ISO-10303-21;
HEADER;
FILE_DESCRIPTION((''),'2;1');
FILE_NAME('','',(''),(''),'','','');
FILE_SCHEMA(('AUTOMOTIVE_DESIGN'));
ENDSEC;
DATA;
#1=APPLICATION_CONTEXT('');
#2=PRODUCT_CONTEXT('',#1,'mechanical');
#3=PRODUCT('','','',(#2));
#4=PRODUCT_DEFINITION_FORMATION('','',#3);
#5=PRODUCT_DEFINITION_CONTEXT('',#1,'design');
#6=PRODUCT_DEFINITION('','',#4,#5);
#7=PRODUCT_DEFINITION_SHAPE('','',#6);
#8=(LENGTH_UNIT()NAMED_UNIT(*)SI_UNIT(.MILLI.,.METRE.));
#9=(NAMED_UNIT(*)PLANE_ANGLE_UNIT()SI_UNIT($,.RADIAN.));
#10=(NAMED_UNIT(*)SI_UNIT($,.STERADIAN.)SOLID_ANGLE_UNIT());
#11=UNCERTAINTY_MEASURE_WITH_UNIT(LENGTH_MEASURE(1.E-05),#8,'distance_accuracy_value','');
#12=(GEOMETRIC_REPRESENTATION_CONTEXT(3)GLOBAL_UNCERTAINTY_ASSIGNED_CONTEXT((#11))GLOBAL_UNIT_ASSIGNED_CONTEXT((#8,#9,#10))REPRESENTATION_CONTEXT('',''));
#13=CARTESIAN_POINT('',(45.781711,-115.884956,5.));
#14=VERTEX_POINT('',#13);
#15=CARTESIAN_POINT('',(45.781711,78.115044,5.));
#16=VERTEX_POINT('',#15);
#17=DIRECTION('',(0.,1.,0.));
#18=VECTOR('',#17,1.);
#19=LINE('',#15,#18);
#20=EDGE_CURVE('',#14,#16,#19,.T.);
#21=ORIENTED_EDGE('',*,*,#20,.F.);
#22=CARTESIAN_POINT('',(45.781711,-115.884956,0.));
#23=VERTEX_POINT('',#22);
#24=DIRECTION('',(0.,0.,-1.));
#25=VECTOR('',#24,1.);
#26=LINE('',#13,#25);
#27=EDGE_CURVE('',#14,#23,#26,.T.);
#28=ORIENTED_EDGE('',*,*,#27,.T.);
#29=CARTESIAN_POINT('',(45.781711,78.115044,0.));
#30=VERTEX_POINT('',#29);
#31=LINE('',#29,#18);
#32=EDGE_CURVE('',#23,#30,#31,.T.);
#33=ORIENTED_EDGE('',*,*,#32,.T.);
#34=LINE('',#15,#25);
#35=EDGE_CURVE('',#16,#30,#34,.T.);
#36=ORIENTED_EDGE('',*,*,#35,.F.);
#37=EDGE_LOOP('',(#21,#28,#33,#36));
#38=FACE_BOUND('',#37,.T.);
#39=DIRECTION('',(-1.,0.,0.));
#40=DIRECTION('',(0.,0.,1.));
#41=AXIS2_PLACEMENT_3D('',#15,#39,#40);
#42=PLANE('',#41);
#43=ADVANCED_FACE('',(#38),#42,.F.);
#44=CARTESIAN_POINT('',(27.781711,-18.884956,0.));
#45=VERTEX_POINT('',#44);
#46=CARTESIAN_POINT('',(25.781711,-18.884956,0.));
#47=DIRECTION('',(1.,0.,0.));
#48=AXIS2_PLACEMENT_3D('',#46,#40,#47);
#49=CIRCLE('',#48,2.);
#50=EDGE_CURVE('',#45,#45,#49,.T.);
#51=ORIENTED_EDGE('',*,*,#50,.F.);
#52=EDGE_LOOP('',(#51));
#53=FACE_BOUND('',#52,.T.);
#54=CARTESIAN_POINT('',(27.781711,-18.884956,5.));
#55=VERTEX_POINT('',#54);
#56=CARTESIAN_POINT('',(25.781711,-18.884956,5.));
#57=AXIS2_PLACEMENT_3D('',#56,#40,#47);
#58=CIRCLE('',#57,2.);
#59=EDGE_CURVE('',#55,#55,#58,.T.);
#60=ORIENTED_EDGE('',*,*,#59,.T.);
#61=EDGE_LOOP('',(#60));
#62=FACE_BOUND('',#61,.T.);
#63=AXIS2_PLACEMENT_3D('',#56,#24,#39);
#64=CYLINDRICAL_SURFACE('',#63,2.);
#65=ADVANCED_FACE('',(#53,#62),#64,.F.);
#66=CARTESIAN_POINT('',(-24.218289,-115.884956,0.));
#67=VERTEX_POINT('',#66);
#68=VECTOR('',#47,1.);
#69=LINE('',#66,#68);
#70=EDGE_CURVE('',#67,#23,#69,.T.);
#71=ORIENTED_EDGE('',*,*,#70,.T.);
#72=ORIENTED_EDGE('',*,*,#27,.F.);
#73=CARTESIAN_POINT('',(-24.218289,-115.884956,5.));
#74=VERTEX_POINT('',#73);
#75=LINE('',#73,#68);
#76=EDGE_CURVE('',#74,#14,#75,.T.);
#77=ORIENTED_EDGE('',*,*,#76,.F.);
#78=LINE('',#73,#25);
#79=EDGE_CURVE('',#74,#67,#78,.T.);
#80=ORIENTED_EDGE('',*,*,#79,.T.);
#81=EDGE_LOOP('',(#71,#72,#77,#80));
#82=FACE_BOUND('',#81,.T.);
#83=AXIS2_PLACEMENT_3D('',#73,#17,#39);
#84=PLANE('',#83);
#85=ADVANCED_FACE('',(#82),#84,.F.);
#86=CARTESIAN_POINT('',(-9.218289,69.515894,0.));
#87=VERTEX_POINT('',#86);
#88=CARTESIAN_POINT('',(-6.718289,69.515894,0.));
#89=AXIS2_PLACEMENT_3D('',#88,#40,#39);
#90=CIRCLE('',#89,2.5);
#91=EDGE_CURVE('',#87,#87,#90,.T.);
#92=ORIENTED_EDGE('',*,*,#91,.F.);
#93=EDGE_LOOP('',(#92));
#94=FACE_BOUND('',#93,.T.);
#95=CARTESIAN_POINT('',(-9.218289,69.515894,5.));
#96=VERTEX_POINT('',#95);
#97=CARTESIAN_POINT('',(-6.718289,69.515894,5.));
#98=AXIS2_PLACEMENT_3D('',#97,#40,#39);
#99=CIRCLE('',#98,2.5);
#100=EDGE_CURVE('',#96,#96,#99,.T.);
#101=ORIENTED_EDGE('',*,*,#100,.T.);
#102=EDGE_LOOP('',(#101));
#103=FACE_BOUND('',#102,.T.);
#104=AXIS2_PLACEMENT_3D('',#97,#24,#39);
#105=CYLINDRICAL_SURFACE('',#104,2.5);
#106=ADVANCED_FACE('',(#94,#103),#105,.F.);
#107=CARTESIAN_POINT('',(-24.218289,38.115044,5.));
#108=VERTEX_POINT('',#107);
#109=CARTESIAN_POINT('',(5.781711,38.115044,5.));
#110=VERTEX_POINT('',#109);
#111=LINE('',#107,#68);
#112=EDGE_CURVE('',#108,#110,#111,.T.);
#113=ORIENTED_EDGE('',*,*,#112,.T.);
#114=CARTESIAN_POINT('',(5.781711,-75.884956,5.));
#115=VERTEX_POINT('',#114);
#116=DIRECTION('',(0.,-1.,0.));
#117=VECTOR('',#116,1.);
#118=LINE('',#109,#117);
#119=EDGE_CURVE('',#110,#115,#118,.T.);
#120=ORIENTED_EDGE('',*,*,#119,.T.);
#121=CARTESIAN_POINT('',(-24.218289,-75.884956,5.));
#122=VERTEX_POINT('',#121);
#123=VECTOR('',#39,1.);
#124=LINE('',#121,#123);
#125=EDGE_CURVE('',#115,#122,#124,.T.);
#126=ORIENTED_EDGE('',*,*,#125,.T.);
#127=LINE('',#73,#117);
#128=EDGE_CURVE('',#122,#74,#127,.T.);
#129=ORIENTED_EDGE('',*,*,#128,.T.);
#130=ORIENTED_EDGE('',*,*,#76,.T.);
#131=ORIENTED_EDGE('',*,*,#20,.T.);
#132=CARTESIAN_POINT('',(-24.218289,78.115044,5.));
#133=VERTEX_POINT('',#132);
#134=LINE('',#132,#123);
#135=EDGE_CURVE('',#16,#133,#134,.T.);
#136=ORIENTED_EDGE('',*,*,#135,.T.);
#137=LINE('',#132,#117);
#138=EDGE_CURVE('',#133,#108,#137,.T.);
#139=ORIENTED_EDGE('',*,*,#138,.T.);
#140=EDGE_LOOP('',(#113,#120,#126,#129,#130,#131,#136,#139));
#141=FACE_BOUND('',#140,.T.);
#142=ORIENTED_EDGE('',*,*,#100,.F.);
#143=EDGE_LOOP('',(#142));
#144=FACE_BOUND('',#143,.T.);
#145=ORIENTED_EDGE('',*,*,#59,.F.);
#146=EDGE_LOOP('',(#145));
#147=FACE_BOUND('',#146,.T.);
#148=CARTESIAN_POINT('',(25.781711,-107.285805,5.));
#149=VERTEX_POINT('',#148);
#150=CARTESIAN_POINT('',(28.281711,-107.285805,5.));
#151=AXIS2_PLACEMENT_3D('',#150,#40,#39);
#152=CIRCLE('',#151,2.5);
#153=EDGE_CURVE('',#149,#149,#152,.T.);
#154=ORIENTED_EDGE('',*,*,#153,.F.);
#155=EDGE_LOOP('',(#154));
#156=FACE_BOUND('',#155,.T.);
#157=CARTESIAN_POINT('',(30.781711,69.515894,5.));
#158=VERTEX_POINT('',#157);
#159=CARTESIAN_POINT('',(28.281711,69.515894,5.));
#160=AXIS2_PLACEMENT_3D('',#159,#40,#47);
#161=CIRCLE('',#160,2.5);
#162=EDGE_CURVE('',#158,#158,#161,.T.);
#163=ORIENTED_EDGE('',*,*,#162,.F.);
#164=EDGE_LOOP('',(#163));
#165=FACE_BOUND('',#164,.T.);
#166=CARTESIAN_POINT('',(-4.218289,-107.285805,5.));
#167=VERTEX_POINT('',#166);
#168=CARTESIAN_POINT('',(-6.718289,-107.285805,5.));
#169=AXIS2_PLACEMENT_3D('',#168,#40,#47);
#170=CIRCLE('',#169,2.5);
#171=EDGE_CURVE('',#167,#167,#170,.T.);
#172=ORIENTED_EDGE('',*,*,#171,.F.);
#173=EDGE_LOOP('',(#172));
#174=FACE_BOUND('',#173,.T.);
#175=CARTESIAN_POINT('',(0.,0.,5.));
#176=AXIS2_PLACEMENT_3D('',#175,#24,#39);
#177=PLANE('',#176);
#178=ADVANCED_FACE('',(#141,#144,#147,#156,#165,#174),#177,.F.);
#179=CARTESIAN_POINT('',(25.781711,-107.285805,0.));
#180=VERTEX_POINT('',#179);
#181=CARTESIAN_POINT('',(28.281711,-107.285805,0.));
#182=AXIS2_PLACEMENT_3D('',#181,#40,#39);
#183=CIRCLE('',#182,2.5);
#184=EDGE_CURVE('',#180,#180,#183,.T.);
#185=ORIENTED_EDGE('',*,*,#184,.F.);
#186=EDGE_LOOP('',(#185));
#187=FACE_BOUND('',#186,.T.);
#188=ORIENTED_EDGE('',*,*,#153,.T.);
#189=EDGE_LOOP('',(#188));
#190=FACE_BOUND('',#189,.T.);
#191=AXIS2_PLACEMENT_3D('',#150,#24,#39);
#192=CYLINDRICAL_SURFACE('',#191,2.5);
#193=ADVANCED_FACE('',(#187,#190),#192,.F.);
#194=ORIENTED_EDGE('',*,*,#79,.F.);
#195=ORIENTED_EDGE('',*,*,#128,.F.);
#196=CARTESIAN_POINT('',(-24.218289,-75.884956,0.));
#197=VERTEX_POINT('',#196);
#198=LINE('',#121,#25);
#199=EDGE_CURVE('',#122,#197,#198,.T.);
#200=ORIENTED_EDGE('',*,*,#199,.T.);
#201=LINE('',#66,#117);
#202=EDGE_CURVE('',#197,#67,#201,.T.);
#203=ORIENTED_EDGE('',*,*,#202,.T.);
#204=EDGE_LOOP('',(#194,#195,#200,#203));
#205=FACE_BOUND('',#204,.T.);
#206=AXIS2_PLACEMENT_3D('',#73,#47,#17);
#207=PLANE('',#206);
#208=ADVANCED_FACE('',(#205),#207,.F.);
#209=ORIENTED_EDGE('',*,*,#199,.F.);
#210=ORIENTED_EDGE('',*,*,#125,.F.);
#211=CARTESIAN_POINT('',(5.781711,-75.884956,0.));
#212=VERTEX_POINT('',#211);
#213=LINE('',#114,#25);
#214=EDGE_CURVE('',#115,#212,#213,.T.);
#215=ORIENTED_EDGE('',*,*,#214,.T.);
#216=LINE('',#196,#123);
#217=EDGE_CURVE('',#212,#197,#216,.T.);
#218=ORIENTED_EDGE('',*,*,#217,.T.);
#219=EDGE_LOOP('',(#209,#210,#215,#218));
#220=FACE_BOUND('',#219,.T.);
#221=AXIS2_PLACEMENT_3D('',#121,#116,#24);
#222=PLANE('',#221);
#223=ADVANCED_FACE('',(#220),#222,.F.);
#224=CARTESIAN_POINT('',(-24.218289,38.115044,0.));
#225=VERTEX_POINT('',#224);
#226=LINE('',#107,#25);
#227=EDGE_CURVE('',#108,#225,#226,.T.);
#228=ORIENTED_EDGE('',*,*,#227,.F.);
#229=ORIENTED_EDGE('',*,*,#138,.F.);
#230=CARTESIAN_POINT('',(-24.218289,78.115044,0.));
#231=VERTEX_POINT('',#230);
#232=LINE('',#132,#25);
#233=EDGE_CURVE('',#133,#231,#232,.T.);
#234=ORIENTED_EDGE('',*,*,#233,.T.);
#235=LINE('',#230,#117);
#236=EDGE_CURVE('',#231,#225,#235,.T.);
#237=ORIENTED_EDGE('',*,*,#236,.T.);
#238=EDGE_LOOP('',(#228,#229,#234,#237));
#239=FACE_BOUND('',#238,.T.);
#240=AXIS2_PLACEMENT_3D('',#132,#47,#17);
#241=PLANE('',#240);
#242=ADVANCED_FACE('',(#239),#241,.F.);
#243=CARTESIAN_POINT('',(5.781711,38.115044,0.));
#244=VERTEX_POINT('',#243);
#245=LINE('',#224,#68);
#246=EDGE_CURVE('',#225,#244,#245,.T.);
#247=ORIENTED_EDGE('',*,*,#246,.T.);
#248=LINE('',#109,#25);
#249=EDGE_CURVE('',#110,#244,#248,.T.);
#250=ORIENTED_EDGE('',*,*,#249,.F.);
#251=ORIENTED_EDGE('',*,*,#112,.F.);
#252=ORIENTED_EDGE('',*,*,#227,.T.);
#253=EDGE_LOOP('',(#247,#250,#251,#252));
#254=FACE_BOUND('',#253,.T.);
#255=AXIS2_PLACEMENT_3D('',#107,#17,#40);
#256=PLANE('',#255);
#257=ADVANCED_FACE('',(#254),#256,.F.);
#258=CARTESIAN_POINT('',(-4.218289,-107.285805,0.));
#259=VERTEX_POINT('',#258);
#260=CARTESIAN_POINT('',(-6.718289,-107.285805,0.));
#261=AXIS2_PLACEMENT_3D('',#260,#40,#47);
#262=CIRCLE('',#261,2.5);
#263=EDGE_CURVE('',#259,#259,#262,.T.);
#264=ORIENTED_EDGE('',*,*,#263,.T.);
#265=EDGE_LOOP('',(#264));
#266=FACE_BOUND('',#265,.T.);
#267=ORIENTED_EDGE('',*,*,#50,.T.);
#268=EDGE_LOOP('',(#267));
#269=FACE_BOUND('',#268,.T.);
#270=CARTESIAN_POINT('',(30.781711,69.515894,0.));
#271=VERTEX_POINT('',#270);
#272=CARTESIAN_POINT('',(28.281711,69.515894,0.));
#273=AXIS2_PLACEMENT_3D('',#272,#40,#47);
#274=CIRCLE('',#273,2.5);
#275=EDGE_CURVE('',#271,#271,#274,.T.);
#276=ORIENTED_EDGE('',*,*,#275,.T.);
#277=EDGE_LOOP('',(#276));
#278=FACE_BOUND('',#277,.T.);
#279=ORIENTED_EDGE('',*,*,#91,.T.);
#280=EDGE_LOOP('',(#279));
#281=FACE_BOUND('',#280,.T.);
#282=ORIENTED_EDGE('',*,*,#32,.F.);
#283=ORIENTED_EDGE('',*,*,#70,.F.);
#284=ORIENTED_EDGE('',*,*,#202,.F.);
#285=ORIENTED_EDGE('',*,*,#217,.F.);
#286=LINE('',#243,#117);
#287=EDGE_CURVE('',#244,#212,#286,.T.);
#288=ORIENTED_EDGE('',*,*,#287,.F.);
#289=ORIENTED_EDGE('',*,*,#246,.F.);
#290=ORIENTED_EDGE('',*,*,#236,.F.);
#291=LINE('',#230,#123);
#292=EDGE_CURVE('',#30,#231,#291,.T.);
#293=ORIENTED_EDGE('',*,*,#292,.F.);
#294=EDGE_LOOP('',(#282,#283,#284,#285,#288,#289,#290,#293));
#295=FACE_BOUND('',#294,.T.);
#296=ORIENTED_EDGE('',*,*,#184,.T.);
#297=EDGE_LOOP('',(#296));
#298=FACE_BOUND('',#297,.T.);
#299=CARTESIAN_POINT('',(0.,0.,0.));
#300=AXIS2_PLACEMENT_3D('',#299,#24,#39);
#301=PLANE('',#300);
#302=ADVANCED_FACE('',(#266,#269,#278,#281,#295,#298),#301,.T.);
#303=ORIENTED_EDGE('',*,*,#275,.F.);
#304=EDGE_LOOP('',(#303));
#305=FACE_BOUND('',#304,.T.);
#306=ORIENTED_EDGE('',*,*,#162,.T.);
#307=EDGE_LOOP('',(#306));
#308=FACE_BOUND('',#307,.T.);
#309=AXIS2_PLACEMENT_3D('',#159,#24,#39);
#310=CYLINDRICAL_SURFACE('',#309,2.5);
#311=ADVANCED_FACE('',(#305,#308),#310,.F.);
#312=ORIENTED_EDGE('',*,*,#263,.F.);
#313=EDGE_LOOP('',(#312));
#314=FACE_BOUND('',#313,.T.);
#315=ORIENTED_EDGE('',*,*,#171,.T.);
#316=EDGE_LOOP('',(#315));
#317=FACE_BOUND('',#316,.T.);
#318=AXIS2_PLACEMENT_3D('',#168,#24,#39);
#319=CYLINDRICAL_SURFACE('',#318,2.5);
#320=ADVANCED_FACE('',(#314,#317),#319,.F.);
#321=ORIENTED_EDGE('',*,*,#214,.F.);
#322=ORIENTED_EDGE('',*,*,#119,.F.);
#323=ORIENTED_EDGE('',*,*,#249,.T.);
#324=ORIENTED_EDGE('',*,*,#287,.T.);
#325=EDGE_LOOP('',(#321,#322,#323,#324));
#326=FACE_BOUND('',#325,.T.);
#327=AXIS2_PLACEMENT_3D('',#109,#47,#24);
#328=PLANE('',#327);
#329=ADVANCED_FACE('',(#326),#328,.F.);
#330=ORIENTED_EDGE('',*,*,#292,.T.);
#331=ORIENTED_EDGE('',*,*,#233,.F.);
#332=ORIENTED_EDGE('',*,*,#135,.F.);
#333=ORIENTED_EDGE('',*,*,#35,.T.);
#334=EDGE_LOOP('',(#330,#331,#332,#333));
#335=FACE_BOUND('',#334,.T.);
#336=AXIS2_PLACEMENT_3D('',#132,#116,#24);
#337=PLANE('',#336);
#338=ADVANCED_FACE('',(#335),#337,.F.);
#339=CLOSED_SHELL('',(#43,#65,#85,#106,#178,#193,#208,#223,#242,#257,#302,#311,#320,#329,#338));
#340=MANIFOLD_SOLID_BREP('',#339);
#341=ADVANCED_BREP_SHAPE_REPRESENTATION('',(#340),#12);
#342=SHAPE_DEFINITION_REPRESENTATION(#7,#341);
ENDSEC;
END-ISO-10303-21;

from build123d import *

# Parameters (mm, degrees)
SKETCH1_R           = 2
SKETCH1_R_2         = 2.5
BOSS_EXTRUDE1_DEPTH = 5


with BuildPart() as part:
    # Sketch1 → Boss-Extrude1 (new body)
    with BuildSketch(Plane.XY):
        Polygon((-24.218289086, 78.115044248), (-24.218289086, 38.115044248), (5.781710914, 38.115044248), (5.781710914, -75.884955752), (-24.218289086, -75.884955752), (-24.218289086, -115.884955752), (45.781710914, -115.884955752), (45.781710914, 78.115044248), align=None)
        with Locations((25.781710914, -18.884955752)):
            Circle(SKETCH1_R, mode=Mode.SUBTRACT)
        with Locations((-6.718289086, -107.285805209)):
            Circle(SKETCH1_R_2, mode=Mode.SUBTRACT)
        with Locations(Location((28.281710914, -107.285805209, 0), (0, 0, 180))):
            Circle(SKETCH1_R_2, mode=Mode.SUBTRACT)
        with Locations((28.281710914, 69.515893704)):
            Circle(SKETCH1_R_2, mode=Mode.SUBTRACT)
        with Locations(Location((-6.718289086, 69.515893704, 0), (0, 0, 180))):
            Circle(SKETCH1_R_2, mode=Mode.SUBTRACT)
    extrude(amount=BOSS_EXTRUDE1_DEPTH)


solid = part.part
